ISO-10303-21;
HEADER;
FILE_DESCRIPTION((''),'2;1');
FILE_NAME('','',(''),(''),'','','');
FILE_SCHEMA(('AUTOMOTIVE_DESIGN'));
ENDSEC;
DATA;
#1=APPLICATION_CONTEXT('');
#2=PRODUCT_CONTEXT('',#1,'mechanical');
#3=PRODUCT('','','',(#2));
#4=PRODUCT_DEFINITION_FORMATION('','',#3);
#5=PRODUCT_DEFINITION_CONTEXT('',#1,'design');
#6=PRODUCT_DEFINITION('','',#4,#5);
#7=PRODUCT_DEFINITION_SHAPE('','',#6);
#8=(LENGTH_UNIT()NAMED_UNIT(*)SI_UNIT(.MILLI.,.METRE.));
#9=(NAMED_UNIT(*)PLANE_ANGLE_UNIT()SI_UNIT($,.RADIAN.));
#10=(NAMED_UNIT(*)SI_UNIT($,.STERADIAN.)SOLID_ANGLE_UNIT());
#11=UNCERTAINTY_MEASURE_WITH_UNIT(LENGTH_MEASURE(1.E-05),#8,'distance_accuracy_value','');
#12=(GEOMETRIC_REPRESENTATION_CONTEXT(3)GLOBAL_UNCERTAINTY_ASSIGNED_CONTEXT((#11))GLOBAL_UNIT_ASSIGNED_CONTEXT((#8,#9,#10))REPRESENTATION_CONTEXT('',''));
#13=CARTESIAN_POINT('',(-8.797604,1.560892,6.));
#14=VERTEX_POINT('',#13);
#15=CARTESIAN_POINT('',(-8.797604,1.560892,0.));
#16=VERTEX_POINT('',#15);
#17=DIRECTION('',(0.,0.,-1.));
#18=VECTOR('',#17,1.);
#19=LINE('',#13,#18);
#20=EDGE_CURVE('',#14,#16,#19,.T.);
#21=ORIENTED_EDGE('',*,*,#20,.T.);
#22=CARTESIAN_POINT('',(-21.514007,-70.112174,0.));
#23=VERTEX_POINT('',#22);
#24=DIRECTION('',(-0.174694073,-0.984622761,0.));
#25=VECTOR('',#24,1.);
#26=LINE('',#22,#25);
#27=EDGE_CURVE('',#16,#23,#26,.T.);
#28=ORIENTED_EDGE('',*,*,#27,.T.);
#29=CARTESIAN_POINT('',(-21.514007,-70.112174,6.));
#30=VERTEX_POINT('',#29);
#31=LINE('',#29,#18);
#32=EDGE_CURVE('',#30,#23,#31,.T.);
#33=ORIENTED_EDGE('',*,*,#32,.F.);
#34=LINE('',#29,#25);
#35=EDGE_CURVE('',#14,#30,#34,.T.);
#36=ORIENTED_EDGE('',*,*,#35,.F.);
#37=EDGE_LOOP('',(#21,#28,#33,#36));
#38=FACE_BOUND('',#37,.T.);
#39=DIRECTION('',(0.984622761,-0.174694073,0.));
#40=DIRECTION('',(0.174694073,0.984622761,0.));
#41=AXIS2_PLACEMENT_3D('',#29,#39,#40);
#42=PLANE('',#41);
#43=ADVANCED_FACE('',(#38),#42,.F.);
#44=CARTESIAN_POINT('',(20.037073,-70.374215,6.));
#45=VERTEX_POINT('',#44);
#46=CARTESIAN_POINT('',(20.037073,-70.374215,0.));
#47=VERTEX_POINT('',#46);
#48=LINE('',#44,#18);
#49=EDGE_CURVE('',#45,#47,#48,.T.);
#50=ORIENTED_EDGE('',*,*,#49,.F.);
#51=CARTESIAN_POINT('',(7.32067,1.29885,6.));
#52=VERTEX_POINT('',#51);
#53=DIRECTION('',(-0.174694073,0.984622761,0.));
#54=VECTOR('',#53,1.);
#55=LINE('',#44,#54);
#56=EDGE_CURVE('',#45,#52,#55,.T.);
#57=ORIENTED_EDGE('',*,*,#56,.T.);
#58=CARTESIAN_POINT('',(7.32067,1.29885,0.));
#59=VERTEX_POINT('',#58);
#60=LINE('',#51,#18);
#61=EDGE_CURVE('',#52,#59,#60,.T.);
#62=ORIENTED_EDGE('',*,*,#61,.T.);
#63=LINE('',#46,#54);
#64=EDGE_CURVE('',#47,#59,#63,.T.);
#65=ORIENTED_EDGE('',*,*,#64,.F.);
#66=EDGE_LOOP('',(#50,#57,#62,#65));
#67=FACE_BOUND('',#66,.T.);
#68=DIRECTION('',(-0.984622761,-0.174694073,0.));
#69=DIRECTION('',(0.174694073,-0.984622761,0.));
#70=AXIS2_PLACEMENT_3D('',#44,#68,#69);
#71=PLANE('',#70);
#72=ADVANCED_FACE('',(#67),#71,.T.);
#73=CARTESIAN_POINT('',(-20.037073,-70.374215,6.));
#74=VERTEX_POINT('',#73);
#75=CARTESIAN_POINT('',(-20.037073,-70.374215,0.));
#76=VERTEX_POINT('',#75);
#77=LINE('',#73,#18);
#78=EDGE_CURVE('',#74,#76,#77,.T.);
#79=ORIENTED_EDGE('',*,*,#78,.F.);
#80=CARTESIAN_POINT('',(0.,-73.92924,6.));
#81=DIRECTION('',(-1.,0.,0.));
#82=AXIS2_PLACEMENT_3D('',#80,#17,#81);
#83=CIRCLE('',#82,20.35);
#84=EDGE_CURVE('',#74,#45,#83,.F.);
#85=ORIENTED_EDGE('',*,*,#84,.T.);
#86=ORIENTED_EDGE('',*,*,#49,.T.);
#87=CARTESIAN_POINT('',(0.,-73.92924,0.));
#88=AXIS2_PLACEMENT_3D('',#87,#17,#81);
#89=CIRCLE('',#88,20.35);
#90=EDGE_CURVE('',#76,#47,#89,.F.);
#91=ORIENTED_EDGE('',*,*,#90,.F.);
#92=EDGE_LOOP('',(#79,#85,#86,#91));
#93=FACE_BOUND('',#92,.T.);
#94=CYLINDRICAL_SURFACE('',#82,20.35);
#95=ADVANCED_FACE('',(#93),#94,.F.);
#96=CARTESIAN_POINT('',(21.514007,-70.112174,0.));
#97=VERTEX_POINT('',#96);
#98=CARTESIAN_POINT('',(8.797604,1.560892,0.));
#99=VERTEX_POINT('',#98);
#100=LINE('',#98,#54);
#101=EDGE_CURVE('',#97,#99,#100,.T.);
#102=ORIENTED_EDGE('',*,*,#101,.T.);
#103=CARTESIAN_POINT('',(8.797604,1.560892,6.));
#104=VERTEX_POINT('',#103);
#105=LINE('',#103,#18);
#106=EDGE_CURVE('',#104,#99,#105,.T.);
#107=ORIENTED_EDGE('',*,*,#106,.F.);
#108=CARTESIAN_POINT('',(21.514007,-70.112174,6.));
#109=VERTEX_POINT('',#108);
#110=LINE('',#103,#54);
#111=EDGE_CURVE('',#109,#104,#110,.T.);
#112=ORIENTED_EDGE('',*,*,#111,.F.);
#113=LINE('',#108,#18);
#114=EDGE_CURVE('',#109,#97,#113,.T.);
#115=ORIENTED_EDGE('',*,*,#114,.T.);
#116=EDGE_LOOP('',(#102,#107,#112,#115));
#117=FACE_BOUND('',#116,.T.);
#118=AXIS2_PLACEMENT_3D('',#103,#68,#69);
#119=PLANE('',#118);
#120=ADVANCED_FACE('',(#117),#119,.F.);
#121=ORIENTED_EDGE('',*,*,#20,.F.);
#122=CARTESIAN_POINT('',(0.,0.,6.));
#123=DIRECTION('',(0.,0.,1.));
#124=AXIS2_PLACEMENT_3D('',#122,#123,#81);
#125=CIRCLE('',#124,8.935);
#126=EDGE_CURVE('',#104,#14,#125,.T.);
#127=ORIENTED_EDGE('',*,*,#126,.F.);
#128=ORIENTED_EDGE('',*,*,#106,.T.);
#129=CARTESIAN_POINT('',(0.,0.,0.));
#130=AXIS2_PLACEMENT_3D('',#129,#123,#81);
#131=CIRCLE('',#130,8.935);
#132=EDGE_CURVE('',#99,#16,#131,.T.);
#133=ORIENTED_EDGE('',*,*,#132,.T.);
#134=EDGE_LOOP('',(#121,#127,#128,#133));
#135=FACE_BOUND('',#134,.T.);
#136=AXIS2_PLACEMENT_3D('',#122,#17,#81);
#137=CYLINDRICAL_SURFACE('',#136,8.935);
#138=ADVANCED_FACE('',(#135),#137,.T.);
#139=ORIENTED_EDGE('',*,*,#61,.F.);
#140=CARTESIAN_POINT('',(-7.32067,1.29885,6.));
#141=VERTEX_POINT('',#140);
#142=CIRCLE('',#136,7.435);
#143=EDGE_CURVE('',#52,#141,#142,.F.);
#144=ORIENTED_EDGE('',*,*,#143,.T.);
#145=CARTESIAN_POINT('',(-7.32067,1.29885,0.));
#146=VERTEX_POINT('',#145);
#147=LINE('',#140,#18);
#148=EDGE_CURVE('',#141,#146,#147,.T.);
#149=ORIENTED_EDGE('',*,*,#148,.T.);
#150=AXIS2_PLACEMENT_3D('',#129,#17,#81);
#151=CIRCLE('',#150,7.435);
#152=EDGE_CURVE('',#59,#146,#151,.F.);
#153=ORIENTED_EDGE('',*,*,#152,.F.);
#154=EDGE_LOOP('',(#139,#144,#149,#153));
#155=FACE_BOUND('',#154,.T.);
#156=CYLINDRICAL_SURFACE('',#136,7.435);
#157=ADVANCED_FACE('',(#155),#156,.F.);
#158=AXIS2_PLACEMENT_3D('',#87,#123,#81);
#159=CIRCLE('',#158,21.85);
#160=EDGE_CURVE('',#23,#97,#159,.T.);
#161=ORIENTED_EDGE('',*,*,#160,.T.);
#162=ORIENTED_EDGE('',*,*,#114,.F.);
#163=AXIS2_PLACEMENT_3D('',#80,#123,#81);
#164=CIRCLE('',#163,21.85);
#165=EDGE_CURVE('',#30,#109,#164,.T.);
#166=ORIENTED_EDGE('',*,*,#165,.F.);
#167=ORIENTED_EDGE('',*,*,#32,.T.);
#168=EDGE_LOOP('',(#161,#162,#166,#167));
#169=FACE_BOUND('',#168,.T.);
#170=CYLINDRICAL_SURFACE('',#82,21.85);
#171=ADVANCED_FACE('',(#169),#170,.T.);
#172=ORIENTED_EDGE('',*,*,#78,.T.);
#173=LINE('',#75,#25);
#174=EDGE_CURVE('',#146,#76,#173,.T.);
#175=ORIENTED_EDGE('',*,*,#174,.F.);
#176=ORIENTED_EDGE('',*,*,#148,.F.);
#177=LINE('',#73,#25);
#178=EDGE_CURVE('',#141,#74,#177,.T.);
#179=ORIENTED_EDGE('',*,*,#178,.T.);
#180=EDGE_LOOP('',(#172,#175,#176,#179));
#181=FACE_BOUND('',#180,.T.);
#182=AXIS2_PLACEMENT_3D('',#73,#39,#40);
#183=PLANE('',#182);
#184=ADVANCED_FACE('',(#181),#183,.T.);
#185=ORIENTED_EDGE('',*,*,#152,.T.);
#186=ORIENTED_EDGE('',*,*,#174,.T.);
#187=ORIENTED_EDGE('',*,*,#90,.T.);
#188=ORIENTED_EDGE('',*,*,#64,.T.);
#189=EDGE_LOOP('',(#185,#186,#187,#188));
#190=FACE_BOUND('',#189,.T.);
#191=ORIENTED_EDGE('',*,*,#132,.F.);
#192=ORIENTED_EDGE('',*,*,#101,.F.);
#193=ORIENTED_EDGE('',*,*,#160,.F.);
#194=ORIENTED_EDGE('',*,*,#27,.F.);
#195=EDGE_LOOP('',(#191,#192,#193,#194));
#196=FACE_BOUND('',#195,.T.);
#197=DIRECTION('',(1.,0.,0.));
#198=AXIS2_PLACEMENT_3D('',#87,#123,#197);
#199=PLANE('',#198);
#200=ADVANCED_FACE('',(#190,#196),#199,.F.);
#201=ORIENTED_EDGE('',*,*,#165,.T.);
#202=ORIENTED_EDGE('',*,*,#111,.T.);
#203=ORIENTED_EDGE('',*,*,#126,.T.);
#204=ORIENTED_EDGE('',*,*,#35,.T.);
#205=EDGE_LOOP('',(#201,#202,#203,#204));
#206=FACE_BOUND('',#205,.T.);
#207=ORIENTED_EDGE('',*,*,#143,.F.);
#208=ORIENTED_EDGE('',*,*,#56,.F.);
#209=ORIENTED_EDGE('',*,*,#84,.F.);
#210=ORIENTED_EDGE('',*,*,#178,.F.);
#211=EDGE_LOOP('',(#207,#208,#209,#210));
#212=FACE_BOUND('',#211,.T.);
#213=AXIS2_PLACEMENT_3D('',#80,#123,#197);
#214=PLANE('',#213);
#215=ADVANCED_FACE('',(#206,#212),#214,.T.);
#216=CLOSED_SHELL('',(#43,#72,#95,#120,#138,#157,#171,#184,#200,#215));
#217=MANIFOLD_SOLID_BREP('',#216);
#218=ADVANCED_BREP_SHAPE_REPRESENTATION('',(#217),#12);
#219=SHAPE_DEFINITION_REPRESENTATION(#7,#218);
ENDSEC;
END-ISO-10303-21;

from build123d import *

# Parameters (mm, degrees)
EXTRU_MINCE1_DEPTH = 6


with BuildPart() as part:
    # Esquisse2 → Extru.-Mince1 (new body)
    with BuildSketch(Plane.XY):
        with BuildLine():
            Line((8.797604367, 1.56089154), (21.514007322, -70.112174348))
            ThreePointArc((21.514007322, -70.112174348), (0, -95.779239837), (-21.514007322, -70.112174348))
            Line((-21.514007322, -70.112174348), (-8.797604367, 1.56089154))
            ThreePointArc((-8.797604367, 1.56089154), (0, 8.935), (8.797604367, 1.56089154))
        make_face()
        with BuildLine():
            Line((7.320670226, 1.298850431), (20.037073181, -70.374215457))
            ThreePointArc((20.037073181, -70.374215457), (0, -94.279239837), (-20.037073181, -70.374215457))
            Line((-20.037073181, -70.374215457), (-7.320670226, 1.298850431))
            ThreePointArc((-7.320670226, 1.298850431), (0, 7.435), (7.320670226, 1.298850431))
        make_face(mode=Mode.SUBTRACT)
    extrude(amount=EXTRU_MINCE1_DEPTH)


solid = part.part
